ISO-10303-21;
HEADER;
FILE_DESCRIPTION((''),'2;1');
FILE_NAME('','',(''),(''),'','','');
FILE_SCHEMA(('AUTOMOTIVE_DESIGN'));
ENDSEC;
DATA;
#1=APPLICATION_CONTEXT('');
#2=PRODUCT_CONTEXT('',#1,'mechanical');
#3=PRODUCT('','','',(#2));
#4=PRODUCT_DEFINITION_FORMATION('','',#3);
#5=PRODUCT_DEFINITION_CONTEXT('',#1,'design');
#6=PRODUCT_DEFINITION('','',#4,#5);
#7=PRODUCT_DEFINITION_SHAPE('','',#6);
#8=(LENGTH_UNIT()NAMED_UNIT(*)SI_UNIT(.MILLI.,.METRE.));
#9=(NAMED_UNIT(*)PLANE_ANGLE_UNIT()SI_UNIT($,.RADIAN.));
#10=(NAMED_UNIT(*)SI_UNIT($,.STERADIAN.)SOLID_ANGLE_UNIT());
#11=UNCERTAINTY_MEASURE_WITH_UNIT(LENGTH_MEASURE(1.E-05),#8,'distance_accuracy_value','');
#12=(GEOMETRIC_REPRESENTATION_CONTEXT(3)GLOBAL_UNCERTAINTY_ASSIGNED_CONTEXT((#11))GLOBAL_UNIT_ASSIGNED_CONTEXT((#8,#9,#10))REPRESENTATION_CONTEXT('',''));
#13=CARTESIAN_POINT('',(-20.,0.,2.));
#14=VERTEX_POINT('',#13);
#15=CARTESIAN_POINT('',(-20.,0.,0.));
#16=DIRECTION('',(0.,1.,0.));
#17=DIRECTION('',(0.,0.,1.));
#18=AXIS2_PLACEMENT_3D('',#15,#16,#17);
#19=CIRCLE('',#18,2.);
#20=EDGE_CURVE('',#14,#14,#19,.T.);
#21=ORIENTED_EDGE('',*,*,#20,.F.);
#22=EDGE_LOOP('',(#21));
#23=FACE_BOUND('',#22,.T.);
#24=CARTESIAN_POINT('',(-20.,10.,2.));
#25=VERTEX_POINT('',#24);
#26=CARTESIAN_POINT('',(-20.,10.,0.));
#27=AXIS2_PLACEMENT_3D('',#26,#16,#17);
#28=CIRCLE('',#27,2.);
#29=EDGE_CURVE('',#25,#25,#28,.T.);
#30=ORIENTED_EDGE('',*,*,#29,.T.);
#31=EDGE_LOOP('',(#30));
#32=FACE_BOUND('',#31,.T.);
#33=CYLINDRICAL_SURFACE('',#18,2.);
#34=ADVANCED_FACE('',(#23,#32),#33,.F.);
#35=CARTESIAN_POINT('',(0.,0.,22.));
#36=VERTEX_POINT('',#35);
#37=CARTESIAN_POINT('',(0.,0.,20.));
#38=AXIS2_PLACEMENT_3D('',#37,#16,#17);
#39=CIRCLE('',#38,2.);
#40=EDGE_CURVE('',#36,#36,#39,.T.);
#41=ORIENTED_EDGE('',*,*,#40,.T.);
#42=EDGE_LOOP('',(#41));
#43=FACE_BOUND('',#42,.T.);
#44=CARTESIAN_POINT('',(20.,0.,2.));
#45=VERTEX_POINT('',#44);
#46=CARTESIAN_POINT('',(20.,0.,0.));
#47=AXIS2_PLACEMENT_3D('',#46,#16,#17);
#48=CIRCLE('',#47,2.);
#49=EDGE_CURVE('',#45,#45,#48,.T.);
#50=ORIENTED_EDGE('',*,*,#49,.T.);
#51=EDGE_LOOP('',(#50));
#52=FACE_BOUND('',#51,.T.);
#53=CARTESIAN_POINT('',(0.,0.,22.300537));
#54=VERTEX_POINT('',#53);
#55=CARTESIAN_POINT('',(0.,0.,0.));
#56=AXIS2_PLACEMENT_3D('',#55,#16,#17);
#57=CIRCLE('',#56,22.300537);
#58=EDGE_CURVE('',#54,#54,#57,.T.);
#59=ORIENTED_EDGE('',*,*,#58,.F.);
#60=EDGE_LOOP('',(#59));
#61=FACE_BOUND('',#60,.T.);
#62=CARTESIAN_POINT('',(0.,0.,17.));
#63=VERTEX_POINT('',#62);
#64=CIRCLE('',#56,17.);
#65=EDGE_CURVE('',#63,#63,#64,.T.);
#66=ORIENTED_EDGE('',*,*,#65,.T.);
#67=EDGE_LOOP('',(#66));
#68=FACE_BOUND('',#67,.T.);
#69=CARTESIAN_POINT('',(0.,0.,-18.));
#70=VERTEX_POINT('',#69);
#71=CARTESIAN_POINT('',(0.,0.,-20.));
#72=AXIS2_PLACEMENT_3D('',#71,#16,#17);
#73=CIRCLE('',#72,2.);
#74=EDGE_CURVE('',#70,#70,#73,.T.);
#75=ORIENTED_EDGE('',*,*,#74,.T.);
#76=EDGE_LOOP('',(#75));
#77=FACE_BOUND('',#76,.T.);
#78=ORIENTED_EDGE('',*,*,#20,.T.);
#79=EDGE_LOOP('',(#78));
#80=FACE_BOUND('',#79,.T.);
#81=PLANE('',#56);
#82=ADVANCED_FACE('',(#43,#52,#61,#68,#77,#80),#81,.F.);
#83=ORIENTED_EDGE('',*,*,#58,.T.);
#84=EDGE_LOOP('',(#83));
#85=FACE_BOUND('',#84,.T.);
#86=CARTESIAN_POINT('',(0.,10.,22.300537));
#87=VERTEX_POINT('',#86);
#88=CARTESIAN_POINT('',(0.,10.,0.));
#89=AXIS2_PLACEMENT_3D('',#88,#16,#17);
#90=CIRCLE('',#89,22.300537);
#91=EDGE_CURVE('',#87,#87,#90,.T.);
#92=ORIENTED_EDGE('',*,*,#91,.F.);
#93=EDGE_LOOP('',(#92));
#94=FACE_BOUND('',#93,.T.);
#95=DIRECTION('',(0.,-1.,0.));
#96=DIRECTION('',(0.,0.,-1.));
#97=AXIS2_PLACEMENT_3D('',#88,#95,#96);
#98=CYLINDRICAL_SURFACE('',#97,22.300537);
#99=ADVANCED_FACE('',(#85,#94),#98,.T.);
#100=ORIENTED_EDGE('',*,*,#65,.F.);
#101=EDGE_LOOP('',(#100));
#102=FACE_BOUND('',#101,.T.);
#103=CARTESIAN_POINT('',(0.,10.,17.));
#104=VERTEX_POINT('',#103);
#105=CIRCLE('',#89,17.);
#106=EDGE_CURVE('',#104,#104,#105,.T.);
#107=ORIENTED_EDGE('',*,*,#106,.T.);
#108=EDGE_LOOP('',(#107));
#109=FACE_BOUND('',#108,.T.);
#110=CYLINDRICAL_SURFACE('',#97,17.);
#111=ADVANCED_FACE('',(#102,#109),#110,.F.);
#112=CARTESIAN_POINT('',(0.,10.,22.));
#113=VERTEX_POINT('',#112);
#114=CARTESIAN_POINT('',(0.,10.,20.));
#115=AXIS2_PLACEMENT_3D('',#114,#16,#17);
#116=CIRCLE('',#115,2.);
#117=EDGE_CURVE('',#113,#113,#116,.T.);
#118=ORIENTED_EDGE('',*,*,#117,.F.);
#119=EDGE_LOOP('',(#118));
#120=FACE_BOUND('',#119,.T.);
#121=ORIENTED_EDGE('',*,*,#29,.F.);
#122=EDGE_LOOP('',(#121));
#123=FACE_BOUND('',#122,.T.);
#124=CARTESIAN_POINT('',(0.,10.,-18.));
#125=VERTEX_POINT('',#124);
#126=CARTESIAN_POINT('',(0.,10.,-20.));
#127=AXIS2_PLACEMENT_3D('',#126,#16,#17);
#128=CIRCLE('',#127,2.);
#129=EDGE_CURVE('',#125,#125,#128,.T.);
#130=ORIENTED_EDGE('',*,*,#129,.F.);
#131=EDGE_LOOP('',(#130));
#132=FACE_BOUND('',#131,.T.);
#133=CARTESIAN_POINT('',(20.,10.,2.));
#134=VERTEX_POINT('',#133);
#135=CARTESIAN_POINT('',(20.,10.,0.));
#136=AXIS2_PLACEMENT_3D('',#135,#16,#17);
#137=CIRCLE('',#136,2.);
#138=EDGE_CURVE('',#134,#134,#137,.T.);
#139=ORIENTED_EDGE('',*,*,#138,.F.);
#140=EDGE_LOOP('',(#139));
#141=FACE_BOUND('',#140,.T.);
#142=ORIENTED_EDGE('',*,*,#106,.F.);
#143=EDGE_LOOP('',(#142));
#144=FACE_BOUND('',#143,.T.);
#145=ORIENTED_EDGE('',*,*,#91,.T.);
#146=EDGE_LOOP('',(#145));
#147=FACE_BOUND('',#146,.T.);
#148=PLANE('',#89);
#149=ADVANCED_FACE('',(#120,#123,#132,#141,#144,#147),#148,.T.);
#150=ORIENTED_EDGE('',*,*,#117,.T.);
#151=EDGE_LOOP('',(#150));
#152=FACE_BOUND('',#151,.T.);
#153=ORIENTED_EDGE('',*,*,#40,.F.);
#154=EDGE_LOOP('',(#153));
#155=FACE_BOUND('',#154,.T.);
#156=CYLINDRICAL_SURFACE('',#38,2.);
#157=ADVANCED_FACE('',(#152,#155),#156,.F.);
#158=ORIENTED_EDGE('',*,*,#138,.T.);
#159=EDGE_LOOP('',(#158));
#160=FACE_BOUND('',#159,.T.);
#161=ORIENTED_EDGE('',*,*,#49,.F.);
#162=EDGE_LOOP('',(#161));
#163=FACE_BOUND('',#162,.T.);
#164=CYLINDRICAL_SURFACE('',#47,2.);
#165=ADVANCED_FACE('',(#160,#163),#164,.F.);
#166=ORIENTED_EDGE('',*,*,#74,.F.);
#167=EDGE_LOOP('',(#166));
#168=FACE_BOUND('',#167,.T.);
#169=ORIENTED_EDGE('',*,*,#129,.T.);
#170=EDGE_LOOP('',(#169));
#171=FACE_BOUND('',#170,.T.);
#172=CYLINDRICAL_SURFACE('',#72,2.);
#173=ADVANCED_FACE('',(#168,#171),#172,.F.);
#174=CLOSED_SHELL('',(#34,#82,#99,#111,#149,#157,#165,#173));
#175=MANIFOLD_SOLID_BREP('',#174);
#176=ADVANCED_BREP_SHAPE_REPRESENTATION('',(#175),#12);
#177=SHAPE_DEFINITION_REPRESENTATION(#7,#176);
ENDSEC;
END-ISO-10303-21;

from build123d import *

# Parameters (mm, degrees)
SKETCH1_R           = 22.300536673
SKETCH1_R_2         = 17
BOSS_EXTRUDE1_DEPTH = 10
SKETCH2_R           = 2
CUT_EXTRUDE1_DEPTH  = 34.0851609


with BuildPart() as part:
    # Sketch1 → Boss-Extrude1 (new body)
    with BuildSketch(Plane(origin=(0, 0, 0), x_dir=(1, 0, 0), z_dir=(0, 1, 0))):
        with Locations(Location((0, 0, 0), (0, 0, 270))):
            Circle(SKETCH1_R)
        with Locations(Location((0, 0, 0), (0, 0, 270))):
            Circle(SKETCH1_R_2, mode=Mode.SUBTRACT)
    extrude(amount=BOSS_EXTRUDE1_DEPTH)

    # Sketch2 → Cut-Extrude1 (cut, through all)
    with BuildSketch(Plane(origin=(0, 10, 0), x_dir=(1, 0, 0), z_dir=(0, 1, 0))):
        with Locations(Location((0, 20, 0), (0, 0, 270))):
            Circle(SKETCH2_R)
        with Locations(Location((20, 0, 0), (0, 0, 270))):
            Circle(SKETCH2_R)
        with Locations(Location((0, -20, 0), (0, 0, 270))):
            Circle(SKETCH2_R)
        with Locations(Location((-20, 0, 0), (0, 0, 270))):
            Circle(SKETCH2_R)
    extrude(amount=-CUT_EXTRUDE1_DEPTH, mode=Mode.SUBTRACT)


solid = part.part
